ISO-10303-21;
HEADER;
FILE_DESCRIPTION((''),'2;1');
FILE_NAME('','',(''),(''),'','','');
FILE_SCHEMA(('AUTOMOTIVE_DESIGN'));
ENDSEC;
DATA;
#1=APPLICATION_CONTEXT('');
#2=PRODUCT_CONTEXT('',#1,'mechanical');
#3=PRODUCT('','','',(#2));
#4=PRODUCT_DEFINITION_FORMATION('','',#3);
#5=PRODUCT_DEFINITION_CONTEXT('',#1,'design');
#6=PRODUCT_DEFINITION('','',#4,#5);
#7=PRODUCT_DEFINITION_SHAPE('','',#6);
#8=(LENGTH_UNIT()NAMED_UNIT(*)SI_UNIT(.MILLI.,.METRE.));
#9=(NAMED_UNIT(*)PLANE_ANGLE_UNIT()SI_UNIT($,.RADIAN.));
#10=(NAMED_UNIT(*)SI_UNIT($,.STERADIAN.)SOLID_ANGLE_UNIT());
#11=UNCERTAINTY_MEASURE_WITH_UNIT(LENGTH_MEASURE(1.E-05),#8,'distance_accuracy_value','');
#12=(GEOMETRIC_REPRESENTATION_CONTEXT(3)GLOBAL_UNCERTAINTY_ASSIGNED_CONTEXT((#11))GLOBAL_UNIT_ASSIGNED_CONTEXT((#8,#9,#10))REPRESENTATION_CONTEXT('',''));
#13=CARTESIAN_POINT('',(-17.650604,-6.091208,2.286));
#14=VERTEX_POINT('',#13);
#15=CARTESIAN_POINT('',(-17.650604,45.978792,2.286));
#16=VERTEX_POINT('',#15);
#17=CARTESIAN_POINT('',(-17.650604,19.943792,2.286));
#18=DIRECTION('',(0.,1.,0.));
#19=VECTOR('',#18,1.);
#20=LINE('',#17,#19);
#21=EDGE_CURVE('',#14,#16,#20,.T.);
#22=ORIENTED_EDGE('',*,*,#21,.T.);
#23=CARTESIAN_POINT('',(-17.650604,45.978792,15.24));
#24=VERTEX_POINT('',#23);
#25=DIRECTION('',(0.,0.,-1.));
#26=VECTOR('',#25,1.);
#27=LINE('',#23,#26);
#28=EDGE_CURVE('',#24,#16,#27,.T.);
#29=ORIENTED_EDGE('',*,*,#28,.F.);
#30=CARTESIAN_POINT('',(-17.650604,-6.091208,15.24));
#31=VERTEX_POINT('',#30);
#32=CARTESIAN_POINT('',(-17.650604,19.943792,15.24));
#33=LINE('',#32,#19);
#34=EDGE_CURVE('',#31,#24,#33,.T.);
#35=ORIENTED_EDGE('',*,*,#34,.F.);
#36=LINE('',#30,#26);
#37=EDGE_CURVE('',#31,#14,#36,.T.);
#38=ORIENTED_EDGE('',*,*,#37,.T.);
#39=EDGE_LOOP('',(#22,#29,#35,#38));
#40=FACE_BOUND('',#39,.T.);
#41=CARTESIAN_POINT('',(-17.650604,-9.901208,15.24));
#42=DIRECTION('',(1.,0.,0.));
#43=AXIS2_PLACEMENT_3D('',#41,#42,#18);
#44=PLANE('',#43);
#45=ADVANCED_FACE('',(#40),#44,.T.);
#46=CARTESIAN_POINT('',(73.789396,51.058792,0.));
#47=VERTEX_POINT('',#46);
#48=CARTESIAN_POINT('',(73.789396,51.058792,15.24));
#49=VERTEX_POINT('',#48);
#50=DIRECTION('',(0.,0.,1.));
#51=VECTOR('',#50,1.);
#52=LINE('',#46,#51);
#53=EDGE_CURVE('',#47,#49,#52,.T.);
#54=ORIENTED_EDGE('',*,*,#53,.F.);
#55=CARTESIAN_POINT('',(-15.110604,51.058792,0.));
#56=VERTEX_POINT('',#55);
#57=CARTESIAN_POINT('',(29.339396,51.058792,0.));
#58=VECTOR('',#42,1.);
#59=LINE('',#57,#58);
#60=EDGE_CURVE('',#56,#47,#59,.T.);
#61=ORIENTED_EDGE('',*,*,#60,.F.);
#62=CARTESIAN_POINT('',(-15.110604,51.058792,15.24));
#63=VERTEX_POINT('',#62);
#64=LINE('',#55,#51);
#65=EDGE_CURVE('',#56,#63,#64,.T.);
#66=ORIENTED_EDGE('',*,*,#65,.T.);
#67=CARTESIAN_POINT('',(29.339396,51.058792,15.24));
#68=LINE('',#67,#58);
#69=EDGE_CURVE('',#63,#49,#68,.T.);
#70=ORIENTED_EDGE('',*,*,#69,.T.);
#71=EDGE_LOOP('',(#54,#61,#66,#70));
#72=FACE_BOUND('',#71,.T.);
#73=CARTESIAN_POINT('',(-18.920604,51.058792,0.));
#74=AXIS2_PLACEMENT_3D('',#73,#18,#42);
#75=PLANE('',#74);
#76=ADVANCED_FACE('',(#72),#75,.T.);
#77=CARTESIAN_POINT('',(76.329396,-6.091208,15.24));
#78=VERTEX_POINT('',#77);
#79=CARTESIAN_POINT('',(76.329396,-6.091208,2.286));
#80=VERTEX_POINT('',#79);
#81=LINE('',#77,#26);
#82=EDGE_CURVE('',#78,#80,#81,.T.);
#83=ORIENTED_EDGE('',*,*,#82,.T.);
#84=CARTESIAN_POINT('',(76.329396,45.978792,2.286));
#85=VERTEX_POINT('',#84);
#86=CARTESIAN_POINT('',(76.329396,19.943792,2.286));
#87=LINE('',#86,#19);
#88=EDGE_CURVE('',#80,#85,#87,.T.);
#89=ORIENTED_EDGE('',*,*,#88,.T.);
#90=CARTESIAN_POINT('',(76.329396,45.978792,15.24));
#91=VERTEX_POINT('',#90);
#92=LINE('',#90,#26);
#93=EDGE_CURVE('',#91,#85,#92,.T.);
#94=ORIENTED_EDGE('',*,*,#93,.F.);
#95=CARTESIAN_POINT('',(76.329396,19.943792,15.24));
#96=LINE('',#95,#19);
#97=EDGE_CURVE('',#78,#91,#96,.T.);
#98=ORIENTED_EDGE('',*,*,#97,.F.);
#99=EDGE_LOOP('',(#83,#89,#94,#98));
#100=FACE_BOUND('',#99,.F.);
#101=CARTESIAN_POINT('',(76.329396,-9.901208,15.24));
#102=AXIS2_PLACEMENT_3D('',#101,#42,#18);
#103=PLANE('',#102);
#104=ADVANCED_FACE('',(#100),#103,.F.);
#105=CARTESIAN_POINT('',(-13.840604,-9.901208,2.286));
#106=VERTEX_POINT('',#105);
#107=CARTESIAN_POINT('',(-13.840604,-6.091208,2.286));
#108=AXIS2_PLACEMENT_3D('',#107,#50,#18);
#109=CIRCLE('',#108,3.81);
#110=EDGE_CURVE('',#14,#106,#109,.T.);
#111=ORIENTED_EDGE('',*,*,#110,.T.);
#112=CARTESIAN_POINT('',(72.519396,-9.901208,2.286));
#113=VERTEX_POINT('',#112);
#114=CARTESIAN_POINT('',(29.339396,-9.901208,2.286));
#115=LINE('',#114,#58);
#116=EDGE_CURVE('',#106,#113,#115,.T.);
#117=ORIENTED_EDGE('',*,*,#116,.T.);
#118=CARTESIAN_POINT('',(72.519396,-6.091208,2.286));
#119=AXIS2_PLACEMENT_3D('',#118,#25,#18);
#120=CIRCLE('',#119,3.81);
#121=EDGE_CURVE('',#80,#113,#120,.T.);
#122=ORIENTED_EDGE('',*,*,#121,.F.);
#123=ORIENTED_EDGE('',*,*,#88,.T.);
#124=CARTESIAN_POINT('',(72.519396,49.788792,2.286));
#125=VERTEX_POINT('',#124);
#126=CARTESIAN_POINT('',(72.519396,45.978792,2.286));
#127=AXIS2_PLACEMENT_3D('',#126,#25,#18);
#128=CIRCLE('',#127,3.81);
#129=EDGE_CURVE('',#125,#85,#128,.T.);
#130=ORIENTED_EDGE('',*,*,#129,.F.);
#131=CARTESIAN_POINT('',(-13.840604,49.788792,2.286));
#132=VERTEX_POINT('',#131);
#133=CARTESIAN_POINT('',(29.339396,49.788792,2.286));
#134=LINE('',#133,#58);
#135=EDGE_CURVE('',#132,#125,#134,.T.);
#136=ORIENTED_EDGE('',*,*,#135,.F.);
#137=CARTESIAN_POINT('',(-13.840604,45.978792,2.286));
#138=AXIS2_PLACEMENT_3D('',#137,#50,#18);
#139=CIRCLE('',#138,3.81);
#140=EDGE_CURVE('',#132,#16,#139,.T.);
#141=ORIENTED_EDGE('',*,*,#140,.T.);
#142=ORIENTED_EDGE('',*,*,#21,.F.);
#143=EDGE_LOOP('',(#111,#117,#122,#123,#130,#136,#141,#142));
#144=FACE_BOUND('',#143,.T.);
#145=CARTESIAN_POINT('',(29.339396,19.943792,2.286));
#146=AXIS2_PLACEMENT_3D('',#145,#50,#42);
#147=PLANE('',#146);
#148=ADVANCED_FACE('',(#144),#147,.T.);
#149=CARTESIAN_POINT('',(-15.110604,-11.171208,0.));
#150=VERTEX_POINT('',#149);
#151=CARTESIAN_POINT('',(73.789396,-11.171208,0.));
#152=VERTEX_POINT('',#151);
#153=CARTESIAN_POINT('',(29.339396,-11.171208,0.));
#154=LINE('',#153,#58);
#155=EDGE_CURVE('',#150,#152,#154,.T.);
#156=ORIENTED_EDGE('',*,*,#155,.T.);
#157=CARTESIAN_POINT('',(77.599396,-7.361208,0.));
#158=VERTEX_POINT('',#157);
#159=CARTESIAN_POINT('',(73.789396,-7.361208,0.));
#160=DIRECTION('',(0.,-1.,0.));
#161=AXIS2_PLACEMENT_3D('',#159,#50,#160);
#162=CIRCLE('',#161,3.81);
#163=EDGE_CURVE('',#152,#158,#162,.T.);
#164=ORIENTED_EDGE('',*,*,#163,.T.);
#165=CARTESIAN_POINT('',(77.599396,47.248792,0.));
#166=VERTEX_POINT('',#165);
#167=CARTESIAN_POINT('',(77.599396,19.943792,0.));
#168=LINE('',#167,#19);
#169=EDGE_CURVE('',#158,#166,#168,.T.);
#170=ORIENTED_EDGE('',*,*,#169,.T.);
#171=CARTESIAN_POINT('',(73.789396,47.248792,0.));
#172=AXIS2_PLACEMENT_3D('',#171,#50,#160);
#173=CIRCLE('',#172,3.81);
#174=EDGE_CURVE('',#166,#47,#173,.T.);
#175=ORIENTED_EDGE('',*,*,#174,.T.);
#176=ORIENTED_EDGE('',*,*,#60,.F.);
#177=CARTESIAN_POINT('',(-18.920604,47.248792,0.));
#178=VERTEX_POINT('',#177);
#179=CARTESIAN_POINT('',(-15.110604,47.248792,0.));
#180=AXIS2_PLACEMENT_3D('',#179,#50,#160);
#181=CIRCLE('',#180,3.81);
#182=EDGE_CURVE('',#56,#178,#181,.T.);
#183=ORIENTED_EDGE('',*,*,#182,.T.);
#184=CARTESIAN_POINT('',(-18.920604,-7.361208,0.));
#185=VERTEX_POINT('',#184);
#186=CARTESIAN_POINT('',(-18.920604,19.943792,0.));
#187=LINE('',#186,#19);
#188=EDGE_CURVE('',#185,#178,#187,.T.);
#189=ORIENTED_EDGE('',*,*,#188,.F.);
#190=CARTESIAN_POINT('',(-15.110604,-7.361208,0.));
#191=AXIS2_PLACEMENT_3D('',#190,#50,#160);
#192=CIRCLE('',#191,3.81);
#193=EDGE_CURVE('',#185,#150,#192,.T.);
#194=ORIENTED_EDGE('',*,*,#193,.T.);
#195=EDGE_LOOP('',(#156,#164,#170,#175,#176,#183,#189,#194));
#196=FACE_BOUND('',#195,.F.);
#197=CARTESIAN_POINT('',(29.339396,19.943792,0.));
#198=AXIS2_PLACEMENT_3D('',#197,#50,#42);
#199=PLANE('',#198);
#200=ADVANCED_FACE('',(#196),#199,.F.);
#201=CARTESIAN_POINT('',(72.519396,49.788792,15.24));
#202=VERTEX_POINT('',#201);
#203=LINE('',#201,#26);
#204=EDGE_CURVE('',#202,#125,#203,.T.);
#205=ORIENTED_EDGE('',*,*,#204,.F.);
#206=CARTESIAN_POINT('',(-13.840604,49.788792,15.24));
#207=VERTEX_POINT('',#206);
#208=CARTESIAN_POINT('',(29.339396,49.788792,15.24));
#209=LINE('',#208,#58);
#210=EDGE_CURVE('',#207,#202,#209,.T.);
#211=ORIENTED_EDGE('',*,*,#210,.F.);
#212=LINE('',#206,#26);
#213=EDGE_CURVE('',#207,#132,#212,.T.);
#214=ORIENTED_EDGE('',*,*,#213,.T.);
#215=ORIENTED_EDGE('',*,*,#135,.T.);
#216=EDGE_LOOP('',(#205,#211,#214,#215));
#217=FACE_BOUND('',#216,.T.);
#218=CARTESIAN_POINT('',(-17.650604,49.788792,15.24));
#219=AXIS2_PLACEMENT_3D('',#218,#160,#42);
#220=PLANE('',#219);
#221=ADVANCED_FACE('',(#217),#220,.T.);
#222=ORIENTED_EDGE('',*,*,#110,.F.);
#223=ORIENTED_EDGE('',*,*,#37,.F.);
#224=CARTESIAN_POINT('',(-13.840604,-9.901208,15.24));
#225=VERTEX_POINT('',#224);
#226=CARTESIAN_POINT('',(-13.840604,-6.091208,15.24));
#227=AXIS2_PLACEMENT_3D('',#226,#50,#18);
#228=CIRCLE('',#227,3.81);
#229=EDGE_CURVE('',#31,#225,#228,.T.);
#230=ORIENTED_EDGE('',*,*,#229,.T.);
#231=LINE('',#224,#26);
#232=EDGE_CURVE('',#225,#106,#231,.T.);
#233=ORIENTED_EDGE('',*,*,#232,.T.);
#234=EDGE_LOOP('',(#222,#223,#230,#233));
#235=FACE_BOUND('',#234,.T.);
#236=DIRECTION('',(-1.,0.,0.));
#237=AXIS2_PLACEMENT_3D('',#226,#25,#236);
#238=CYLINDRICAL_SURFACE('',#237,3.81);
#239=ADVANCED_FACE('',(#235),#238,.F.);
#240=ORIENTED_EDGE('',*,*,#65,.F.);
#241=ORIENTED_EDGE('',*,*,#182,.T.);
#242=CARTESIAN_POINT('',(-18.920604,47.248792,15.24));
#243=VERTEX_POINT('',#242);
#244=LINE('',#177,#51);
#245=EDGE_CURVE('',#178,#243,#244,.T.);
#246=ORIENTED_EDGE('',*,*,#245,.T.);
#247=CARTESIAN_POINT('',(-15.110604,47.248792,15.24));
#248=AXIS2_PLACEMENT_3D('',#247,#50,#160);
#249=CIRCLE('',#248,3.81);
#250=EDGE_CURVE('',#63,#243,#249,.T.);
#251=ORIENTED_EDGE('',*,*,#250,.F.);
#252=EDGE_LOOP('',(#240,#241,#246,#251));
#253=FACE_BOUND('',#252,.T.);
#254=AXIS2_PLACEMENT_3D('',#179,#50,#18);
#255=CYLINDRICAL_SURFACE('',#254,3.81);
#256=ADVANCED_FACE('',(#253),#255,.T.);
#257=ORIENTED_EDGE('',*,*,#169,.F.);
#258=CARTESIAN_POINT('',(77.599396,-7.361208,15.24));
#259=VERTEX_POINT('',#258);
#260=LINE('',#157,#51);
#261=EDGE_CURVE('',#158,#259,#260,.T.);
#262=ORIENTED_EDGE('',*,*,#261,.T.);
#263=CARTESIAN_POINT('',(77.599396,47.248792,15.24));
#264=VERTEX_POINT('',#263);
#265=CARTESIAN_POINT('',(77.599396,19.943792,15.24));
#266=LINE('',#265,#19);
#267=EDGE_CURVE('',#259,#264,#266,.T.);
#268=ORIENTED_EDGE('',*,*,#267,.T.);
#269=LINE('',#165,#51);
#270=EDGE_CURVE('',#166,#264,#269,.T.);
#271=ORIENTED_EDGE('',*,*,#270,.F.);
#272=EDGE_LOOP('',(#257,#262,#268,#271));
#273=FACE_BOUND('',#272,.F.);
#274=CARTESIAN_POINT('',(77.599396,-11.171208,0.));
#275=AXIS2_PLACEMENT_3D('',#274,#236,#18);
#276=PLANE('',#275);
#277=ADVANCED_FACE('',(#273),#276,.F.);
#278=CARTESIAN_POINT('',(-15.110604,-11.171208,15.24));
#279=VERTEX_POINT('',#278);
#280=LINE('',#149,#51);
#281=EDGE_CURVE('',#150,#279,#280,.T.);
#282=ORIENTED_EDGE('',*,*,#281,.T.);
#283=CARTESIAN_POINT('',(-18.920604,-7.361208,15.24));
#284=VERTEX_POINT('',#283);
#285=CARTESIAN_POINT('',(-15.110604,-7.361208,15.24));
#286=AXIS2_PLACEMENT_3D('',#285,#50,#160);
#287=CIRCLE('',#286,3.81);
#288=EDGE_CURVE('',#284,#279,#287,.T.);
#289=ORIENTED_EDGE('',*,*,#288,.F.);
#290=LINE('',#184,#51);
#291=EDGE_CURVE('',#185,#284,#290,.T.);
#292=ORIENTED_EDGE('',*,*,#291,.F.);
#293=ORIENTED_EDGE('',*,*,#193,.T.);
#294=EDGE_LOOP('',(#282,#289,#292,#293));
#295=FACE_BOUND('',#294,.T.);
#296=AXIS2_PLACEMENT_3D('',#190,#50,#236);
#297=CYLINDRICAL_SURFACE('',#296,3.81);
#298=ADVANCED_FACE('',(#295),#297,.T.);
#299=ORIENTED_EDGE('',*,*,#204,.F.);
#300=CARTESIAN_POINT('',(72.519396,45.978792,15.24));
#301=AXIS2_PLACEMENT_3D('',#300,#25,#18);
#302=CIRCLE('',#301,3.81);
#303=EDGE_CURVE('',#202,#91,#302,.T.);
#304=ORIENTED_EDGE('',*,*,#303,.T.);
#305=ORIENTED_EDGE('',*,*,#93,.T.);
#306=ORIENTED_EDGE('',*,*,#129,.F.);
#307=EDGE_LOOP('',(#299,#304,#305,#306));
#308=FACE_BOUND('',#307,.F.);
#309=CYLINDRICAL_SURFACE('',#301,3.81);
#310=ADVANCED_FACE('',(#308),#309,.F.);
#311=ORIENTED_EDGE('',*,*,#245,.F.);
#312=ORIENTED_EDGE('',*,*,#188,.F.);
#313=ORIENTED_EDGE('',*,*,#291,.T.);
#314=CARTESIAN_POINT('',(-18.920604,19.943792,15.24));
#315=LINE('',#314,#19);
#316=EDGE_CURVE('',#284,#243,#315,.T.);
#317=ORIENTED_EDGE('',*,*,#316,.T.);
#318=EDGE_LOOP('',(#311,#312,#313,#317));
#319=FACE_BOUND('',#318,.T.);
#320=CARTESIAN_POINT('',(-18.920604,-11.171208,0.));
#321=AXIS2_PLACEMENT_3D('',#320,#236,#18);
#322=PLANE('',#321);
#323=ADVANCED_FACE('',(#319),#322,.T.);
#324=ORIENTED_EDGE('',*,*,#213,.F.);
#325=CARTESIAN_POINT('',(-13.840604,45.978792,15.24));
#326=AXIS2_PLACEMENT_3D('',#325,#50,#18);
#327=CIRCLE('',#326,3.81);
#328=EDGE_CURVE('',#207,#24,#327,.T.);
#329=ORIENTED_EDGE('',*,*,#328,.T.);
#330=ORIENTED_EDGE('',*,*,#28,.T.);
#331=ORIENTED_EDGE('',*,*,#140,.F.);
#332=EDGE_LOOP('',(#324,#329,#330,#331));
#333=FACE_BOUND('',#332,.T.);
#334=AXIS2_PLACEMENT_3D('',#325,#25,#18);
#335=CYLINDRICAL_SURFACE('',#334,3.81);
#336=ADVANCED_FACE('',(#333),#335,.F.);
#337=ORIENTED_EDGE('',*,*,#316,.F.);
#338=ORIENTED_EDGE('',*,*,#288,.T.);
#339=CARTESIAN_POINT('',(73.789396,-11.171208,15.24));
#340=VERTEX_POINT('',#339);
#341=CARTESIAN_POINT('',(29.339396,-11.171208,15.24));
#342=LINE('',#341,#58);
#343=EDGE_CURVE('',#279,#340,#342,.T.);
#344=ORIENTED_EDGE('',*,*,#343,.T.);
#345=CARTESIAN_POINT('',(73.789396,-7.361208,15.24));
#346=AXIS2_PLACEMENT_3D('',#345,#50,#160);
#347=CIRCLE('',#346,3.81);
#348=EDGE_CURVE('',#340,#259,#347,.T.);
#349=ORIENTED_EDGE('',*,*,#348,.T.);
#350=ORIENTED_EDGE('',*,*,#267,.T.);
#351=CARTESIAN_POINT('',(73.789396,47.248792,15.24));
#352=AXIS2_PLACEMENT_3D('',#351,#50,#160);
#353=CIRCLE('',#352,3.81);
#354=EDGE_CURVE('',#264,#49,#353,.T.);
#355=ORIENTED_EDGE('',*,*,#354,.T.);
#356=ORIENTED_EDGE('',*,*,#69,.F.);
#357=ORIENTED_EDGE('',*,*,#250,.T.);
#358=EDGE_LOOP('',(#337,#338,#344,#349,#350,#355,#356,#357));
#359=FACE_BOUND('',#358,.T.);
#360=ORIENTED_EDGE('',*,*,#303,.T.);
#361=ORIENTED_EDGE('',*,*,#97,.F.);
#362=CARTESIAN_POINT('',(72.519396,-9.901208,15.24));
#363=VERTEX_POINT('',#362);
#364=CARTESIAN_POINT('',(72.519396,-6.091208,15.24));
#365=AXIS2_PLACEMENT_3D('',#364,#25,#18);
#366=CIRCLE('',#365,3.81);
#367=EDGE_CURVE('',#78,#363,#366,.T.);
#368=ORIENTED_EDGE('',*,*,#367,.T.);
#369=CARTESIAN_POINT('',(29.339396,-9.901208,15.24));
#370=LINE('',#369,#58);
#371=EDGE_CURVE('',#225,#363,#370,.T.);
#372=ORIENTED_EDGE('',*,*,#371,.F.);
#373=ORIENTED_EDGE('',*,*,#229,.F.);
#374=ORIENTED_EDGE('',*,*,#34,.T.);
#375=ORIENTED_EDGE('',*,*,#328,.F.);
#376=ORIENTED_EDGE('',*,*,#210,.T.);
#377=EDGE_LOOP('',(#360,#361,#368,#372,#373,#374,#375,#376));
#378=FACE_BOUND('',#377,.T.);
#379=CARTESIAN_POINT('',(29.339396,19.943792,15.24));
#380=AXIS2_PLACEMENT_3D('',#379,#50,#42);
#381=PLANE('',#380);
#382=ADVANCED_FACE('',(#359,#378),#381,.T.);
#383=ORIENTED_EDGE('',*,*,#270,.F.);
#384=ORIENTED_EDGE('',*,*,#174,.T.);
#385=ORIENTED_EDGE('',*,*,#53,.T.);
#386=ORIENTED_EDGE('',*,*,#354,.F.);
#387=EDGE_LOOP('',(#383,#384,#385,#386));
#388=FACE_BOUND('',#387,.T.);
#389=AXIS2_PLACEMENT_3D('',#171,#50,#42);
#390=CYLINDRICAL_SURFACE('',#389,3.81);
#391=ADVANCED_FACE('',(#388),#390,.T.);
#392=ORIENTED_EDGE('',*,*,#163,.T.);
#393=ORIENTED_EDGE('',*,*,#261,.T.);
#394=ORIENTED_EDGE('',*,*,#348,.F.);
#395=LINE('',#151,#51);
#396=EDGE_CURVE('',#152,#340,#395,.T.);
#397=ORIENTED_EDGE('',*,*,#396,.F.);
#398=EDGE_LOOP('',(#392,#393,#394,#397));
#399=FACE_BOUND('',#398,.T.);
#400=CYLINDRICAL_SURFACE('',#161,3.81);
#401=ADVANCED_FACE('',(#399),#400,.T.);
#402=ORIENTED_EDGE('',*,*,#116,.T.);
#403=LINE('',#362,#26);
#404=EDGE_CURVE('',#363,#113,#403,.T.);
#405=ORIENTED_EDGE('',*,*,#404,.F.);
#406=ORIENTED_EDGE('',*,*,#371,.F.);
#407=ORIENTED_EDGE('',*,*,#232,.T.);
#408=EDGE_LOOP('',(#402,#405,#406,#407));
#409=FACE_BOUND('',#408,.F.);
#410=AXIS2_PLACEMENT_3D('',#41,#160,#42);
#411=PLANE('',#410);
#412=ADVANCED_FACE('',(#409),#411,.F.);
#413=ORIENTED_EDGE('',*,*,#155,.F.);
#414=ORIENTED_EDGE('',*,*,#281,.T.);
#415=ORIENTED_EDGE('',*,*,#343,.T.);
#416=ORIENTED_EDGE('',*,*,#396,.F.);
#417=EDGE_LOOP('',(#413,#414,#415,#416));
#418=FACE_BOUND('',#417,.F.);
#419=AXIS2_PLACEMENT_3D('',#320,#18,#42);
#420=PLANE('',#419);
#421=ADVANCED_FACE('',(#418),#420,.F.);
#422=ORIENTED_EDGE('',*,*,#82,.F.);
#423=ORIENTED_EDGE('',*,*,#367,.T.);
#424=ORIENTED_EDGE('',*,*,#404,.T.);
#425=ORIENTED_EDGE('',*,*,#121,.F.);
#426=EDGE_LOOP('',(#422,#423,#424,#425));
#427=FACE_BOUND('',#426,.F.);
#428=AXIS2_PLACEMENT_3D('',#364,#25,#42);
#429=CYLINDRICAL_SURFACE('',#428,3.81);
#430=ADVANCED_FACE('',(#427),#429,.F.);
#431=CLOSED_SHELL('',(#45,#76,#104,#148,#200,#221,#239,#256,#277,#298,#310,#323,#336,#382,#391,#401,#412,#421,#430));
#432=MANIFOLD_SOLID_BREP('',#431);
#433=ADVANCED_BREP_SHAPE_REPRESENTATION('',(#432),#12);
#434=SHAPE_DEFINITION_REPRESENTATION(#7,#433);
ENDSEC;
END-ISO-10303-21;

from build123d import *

# Parameters (mm, degrees)
F0_W     = 96.52
F0_H     = 62.23
F1_DEPTH = 15.24
F2_R     = 3.81
F3_R     = 3.81
F4_R     = 3.81
F5_R     = 3.81
F6_W     = 93.98
F6_H     = 59.69
F7_DEPTH = 12.954
F8_R     = 3.81
F9_R     = 3.81


with BuildPart() as f1:
    # F0 (on Top) → F1 (new body)
    with BuildSketch(Plane.XY):
        with Locations((29.339396, 19.943792)):
            Rectangle(F0_W, F0_H)
    extrude(amount=F1_DEPTH)

    # F2
    f2_edges = [f1.edges().sort_by_distance(p)[0] for p in [
        (-18.920604, -11.171208, 7.62),
    ]]
    fillet(f2_edges, radius=F2_R)

    # F3
    f3_edges = [f1.edges().sort_by_distance(p)[0] for p in [
        (77.599396, -11.171208, 7.62),
    ]]
    fillet(f3_edges, radius=F3_R)

    # F4
    f4_edges = [f1.edges().sort_by_distance(p)[0] for p in [
        (77.599396, 51.058792, 7.62),
    ]]
    fillet(f4_edges, radius=F4_R)

    # F5
    f5_edges = [f1.edges().sort_by_distance(p)[0] for p in [
        (-18.920604, 51.058792, 7.62),
    ]]
    fillet(f5_edges, radius=F5_R)

    # F6 (on face) → F7 (cut)
    with BuildSketch(Plane.XY.offset(15.24)):
        with Locations((29.339396, 19.943792)):
            Rectangle(F6_W, F6_H)
    extrude(amount=-F7_DEPTH, mode=Mode.SUBTRACT)

    # F8
    f8_edges = [f1.edges().sort_by_distance(p)[0] for p in [
        (-17.650604, 49.788792, 8.763),
    ]]
    fillet(f8_edges, radius=F8_R)

    # F9
    f9_edges = [f1.edges().sort_by_distance(p)[0] for p in [
        (76.329396, 49.788792, 8.763),
        (-17.650604, -9.901208, 8.763),
        (76.329396, -9.901208, 8.763),
    ]]
    fillet(f9_edges, radius=F9_R)


solid = f1.part
